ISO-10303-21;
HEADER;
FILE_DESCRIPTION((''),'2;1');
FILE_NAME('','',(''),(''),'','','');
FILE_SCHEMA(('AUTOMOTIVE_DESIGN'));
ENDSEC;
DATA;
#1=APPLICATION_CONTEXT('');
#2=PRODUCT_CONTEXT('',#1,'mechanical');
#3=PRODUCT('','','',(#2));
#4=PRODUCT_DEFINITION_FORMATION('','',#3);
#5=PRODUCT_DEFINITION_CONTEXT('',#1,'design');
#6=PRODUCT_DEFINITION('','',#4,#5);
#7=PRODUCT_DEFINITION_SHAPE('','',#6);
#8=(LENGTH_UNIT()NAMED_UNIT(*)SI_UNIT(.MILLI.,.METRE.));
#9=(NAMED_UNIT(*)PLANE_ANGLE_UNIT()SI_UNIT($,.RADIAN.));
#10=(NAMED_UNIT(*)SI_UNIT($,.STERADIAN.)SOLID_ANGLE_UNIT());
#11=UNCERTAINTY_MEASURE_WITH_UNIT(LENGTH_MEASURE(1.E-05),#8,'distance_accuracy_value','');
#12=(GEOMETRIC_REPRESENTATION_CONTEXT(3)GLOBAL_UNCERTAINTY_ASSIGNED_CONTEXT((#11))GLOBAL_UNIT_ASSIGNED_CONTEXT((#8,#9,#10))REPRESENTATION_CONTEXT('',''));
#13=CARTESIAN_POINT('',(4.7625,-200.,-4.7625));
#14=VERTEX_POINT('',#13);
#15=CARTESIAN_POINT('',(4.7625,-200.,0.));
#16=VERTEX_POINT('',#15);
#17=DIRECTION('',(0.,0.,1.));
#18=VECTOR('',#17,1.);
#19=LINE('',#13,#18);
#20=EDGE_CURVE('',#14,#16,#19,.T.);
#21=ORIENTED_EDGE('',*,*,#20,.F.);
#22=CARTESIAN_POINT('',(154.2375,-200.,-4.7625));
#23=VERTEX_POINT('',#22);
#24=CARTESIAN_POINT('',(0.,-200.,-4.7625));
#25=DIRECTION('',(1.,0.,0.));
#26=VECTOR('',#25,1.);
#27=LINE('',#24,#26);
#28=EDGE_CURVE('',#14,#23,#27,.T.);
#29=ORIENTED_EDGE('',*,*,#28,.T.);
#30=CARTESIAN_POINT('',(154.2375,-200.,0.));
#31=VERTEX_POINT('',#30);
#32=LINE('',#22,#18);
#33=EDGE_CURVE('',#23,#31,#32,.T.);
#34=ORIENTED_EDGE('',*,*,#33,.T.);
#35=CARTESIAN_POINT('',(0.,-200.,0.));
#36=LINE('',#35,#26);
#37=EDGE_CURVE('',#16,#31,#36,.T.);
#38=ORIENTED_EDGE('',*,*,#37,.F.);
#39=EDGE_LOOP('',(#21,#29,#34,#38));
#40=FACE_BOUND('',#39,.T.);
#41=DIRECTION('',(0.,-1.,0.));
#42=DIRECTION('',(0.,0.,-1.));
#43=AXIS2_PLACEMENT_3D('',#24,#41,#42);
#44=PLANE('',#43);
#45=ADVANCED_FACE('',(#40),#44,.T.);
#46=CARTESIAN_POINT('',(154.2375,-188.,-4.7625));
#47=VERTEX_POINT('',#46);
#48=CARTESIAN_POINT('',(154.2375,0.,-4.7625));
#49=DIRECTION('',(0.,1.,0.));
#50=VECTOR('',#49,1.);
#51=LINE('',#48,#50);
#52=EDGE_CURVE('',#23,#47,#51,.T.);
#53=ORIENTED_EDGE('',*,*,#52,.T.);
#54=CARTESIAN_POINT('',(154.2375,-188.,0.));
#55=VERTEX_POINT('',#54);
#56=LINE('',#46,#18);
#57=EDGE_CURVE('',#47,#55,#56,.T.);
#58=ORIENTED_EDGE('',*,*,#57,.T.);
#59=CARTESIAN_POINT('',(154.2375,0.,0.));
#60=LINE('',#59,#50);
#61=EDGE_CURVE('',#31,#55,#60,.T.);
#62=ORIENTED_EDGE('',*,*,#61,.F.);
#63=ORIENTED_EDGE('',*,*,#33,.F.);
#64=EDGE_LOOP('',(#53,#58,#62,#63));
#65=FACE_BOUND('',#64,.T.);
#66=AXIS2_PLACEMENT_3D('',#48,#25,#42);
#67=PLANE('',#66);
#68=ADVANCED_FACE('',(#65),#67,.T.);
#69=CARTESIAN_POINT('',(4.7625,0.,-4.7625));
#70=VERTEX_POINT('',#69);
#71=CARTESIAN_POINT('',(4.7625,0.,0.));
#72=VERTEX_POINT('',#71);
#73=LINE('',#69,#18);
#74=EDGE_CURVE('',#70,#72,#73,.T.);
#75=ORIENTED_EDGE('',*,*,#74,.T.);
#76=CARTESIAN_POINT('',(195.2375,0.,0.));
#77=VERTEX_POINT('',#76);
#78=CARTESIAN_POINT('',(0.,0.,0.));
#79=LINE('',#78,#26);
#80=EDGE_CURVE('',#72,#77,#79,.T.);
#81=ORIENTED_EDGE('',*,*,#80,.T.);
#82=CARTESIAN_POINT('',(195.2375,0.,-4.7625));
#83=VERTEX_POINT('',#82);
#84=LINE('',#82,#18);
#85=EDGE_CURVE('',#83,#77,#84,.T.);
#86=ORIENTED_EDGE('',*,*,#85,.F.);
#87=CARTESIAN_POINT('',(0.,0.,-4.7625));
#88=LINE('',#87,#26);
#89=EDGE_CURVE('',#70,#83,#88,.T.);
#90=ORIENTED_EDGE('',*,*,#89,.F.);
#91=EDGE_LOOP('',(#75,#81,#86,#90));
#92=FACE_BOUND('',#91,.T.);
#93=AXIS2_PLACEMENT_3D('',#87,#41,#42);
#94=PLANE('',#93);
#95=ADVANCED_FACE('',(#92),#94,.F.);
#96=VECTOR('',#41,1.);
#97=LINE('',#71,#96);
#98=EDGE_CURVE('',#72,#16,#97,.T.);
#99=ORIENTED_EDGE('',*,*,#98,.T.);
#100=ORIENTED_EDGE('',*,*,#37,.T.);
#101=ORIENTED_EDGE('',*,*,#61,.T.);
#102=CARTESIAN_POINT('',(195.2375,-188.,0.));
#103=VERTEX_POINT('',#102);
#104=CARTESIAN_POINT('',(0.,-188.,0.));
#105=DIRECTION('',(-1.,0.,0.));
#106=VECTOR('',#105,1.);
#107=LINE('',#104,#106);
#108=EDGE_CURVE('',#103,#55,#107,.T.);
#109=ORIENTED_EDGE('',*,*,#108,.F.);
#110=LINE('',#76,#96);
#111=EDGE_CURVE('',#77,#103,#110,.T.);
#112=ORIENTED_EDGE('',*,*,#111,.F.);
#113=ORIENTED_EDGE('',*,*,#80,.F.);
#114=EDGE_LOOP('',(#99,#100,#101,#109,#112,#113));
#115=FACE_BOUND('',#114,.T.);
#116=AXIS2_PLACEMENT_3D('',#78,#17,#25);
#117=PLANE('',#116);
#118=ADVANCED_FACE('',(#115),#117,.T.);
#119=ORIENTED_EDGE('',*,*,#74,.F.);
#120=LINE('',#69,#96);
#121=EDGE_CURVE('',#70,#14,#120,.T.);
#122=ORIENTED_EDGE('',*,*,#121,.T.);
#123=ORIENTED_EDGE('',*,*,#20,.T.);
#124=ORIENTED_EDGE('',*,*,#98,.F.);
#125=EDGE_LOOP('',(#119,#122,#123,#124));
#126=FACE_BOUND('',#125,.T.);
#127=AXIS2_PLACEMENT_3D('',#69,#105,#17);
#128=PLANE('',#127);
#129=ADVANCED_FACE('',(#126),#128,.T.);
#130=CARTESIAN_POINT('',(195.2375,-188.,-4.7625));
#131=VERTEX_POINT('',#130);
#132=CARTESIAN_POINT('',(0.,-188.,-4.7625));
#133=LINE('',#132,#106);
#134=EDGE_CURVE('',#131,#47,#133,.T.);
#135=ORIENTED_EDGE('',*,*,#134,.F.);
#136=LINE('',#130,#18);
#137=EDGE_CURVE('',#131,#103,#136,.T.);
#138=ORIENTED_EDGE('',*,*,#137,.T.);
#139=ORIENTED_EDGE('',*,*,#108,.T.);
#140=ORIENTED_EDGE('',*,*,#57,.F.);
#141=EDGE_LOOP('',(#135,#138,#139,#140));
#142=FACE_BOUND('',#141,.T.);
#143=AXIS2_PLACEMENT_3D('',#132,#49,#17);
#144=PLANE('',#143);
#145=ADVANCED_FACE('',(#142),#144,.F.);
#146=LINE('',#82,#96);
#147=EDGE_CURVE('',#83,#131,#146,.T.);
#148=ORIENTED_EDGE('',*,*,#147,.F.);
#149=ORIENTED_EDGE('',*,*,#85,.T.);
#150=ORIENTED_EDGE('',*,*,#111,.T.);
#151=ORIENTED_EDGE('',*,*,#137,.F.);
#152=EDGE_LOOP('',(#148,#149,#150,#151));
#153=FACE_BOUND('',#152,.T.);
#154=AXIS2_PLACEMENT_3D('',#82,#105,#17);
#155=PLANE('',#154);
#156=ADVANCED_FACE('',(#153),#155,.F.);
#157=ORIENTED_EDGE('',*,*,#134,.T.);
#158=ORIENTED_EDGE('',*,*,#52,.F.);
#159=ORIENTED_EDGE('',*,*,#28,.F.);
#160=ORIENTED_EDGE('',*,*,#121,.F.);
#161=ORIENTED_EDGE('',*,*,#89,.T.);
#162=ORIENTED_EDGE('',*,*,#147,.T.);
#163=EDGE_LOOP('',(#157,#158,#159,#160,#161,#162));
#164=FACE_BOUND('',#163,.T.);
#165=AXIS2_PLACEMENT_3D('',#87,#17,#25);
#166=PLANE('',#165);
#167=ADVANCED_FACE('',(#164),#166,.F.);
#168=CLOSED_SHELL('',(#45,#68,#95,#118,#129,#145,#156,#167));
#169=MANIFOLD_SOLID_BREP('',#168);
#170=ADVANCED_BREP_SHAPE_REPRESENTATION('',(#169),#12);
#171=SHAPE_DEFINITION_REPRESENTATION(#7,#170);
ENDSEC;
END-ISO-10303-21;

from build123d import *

# Parameters (mm, degrees)
BOSS_EXTRUDE1_DEPTH = 4.7625


with BuildPart() as part:
    # Sketch1 → Boss-Extrude1 (new body)
    with BuildSketch(Plane.XY):
        Polygon((195.2375, 0), (4.7625, 0), (4.7625, -200), (154.2375, -200), (154.2375, -188), (195.2375, -188), align=None)
    extrude(amount=-BOSS_EXTRUDE1_DEPTH)


solid = part.part
